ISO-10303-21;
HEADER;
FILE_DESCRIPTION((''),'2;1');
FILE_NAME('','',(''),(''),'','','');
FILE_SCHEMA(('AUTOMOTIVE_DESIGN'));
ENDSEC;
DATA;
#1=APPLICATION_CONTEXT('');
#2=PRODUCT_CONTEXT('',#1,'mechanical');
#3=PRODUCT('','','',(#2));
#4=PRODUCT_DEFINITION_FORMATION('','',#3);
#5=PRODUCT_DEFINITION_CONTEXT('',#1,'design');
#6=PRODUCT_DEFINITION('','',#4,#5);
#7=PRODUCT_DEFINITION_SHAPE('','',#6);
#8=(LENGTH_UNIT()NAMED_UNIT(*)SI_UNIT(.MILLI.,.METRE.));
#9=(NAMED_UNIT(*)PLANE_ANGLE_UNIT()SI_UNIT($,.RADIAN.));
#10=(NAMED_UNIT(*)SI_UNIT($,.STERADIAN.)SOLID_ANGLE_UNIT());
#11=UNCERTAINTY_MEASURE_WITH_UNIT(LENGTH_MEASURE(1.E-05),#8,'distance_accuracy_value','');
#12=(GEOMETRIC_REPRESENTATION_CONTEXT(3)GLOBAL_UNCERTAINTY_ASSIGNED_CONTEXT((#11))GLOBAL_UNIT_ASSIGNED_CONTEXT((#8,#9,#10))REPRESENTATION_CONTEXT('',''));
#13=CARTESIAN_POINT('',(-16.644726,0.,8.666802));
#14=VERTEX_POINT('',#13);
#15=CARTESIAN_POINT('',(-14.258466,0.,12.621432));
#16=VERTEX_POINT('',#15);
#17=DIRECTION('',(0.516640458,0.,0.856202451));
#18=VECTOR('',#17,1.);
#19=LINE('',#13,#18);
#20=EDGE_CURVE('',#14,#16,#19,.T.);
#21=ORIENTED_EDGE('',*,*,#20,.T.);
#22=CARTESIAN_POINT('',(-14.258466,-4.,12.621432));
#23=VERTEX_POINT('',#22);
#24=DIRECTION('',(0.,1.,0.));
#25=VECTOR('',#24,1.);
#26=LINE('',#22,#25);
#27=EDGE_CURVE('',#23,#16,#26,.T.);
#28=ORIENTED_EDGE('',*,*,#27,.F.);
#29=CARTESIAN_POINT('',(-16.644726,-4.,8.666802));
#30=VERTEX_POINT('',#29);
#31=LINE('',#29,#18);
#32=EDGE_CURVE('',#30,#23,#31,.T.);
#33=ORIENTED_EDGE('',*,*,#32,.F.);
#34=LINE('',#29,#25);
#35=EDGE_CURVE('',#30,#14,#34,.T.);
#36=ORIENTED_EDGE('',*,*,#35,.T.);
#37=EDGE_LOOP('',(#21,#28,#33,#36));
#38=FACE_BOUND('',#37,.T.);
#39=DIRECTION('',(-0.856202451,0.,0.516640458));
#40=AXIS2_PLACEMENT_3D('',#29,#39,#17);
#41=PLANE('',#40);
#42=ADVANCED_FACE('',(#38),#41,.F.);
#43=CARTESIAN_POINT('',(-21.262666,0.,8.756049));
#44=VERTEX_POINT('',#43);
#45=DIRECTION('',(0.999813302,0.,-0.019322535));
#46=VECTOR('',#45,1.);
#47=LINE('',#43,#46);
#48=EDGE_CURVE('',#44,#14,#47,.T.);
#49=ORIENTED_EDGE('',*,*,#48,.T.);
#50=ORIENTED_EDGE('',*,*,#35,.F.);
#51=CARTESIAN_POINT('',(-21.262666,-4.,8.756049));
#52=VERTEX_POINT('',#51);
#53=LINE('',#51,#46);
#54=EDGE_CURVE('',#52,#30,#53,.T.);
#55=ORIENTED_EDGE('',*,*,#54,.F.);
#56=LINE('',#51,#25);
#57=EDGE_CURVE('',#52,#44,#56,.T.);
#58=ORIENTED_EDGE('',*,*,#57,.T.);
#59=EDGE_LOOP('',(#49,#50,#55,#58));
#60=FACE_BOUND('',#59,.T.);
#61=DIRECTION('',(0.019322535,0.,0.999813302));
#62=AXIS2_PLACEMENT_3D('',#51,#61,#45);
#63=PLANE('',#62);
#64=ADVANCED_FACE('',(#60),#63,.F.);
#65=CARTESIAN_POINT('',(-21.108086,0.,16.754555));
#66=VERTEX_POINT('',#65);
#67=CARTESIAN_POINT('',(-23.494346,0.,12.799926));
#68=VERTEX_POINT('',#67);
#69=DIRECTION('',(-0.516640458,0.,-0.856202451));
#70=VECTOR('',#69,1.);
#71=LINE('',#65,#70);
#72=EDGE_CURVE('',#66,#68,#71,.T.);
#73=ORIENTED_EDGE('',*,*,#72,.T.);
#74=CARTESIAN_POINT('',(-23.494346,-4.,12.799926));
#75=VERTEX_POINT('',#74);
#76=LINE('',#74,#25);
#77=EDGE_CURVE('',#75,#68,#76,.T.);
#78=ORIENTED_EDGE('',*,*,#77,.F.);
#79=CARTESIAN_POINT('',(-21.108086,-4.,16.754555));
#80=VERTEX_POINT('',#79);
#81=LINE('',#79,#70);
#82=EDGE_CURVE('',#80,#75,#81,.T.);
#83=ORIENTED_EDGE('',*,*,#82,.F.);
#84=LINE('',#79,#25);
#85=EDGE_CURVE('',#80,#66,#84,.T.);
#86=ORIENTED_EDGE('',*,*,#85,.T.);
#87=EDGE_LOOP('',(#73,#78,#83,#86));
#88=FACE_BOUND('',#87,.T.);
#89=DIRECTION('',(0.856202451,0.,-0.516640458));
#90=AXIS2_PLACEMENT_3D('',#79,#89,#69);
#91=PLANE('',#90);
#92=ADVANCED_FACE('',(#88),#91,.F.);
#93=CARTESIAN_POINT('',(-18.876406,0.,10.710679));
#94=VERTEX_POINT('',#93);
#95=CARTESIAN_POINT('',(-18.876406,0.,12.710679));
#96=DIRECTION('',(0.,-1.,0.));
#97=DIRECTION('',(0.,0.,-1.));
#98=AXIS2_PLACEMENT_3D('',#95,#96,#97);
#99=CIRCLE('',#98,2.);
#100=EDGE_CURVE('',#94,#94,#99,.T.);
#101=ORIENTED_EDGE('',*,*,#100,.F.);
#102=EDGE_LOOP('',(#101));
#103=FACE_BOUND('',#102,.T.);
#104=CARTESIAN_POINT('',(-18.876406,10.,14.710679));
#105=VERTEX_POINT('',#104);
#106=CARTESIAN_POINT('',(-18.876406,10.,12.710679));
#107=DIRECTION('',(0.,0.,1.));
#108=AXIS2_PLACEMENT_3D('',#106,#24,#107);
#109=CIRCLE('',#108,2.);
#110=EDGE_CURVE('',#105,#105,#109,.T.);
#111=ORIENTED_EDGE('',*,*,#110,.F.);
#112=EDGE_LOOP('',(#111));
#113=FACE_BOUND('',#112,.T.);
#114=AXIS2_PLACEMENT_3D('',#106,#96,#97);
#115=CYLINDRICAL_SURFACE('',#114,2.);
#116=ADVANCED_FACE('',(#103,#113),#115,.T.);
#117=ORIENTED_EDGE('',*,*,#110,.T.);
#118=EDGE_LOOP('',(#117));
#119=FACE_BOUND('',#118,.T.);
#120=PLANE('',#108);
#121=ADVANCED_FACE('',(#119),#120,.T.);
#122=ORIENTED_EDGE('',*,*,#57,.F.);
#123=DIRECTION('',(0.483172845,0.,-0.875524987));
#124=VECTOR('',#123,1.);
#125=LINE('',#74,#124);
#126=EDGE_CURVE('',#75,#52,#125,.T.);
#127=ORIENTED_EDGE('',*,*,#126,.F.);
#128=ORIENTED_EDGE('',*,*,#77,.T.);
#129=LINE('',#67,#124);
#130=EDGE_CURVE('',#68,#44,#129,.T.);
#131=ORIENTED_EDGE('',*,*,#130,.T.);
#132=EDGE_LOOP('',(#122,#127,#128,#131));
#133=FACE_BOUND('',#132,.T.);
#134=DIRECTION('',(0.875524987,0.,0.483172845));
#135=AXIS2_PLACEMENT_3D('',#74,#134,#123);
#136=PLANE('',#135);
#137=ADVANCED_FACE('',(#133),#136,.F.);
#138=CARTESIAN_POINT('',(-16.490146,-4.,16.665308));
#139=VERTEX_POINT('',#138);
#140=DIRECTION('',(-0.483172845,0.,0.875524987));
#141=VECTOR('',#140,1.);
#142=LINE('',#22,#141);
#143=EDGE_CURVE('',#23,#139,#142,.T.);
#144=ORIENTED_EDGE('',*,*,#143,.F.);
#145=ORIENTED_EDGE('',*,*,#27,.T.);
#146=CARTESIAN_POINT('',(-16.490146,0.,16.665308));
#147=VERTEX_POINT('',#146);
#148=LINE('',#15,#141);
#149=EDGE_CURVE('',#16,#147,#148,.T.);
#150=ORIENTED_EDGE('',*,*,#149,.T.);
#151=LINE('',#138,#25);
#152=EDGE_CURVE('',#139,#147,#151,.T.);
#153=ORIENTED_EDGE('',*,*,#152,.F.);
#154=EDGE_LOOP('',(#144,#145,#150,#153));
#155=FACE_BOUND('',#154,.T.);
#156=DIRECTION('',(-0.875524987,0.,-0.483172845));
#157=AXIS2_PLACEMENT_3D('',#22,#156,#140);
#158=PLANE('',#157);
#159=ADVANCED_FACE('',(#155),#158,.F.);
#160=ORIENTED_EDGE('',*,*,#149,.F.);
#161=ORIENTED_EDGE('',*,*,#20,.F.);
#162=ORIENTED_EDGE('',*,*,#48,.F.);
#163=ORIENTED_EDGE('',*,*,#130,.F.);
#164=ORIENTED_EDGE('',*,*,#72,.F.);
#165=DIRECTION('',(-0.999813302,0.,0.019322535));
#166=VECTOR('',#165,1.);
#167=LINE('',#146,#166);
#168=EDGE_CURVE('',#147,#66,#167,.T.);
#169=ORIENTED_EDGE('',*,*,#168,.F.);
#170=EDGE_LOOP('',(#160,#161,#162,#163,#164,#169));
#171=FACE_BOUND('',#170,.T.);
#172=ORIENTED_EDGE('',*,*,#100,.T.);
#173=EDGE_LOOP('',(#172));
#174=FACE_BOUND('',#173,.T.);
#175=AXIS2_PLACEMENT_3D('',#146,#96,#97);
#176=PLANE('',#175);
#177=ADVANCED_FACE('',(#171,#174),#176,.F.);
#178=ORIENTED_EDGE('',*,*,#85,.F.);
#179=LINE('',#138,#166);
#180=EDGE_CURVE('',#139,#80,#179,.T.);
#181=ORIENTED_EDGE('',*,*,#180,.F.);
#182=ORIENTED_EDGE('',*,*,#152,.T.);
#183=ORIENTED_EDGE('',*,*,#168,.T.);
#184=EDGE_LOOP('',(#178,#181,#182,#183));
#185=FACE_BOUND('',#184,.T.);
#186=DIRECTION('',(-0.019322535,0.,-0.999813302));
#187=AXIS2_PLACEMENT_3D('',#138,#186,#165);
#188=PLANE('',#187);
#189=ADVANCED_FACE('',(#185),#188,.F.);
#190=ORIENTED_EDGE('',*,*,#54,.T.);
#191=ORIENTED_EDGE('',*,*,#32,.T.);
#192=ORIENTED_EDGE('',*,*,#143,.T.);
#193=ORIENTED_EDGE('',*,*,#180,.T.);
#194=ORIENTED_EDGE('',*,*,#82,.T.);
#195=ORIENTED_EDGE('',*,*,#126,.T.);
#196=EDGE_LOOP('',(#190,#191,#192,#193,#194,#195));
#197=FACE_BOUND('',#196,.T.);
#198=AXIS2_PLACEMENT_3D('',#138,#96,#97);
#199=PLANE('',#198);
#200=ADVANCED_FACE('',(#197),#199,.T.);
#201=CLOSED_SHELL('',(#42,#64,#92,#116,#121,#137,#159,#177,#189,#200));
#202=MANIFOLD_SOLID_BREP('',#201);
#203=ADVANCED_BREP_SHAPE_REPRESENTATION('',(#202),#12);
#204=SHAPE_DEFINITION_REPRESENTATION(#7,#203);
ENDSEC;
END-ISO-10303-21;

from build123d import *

# Parameters (mm, degrees)
SKETCH1_R           = 2
BOSS_EXTRUDE1_DEPTH = 10
BOSS_EXTRUDE4_DEPTH = 4


with BuildPart() as part:
    # Sketch1 → Boss-Extrude1 (new body)
    with BuildSketch(Plane(origin=(0, 0, 0), x_dir=(1, 0, 0), z_dir=(0, 1, 0))):
        with Locations((-18.876405997, -12.710678642)):
            Circle(SKETCH1_R)
    extrude(amount=BOSS_EXTRUDE1_DEPTH)

    # Sketch4 → Boss-Extrude4 (add)
    with BuildSketch(Plane.XZ):
        Polygon((-16.490145939, 16.665308368), (-21.108085773, 16.754555336), (-23.494345831, 12.79992561), (-21.262666056, 8.756048917), (-16.644726221, 8.666801949), (-14.258466163, 12.621431674), align=None)
    extrude(amount=BOSS_EXTRUDE4_DEPTH)


solid = part.part
